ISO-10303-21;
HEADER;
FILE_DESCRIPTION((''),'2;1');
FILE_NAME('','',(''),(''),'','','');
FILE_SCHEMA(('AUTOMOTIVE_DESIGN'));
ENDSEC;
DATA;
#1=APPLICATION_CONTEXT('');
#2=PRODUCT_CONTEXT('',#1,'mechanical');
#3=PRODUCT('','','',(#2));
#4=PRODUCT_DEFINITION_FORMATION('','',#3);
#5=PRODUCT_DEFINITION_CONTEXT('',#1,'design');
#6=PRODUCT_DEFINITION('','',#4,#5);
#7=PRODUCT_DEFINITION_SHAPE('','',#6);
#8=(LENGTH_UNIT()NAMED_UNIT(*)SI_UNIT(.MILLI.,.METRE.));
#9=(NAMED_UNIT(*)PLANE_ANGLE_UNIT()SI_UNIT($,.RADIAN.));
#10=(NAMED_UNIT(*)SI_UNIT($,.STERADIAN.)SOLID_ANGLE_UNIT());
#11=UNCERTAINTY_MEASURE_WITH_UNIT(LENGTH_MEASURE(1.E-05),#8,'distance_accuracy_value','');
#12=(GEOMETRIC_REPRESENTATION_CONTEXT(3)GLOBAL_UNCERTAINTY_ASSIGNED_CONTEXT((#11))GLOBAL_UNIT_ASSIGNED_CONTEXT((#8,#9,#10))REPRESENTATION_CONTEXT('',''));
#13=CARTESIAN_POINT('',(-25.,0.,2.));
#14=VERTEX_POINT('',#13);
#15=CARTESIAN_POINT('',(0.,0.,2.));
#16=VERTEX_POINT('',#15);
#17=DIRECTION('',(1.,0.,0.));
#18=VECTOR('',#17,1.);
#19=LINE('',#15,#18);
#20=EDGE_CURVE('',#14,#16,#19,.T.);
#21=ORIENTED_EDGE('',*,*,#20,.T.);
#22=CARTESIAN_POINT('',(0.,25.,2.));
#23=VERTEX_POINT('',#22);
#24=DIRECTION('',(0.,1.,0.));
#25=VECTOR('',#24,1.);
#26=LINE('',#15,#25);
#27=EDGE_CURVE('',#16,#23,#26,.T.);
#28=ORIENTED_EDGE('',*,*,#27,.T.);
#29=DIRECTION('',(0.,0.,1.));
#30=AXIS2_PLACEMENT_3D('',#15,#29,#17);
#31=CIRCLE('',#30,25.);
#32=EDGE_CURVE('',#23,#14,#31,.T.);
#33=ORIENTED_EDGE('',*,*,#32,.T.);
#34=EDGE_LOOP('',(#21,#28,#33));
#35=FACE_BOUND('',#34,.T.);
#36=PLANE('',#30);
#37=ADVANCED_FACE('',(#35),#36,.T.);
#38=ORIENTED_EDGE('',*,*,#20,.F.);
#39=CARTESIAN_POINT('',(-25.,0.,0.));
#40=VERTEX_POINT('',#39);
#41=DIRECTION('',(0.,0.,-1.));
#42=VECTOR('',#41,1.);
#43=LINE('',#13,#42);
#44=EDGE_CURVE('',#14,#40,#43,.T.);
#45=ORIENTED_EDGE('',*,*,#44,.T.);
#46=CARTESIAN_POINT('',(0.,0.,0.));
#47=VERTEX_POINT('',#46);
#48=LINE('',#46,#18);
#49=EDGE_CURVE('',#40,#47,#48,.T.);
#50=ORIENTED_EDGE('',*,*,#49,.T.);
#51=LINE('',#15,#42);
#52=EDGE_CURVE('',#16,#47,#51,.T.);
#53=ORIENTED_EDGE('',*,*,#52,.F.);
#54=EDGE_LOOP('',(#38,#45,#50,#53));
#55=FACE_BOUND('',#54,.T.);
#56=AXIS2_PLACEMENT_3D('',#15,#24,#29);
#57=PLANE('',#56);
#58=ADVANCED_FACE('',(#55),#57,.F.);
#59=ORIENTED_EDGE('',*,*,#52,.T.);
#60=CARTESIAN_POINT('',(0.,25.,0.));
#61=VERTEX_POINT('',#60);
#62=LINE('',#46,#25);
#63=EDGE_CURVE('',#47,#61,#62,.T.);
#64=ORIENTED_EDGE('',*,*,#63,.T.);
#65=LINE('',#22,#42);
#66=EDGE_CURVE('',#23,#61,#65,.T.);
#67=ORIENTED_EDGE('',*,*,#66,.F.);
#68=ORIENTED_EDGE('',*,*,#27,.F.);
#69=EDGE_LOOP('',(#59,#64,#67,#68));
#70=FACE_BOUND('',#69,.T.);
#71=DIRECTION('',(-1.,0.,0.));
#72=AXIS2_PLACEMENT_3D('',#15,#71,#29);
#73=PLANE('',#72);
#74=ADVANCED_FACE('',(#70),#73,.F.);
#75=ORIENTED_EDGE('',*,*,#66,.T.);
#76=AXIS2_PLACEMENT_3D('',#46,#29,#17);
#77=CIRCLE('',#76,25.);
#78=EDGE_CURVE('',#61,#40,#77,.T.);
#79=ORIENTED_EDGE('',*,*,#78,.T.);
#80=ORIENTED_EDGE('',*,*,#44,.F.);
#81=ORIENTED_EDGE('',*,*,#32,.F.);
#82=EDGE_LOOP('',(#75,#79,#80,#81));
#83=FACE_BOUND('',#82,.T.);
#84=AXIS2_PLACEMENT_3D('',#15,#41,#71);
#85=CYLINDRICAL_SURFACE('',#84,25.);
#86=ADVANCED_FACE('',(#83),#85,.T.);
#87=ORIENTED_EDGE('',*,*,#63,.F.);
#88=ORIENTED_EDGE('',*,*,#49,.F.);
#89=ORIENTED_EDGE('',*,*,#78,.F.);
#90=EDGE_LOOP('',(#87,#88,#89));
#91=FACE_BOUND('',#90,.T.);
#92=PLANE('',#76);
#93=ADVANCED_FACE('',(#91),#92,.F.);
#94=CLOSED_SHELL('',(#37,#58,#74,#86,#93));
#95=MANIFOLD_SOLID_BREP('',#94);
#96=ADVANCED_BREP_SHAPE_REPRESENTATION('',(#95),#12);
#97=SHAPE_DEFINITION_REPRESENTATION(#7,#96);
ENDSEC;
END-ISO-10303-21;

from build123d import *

# Parameters (mm, degrees)
EXTRUDE_1_DEPTH = 2


with BuildPart() as part:
    # 草图1 → 凸台-拉伸1 (new body)
    with BuildSketch(Plane.XY):
        with BuildLine():
            Line((0, 0), (0, 25))
            ThreePointArc((0, 25), (-17.67766953, 17.67766953), (-25, 0))
            Line((-25, 0), (0, 0))
        make_face()
    extrude(amount=EXTRUDE_1_DEPTH)


solid = part.part
